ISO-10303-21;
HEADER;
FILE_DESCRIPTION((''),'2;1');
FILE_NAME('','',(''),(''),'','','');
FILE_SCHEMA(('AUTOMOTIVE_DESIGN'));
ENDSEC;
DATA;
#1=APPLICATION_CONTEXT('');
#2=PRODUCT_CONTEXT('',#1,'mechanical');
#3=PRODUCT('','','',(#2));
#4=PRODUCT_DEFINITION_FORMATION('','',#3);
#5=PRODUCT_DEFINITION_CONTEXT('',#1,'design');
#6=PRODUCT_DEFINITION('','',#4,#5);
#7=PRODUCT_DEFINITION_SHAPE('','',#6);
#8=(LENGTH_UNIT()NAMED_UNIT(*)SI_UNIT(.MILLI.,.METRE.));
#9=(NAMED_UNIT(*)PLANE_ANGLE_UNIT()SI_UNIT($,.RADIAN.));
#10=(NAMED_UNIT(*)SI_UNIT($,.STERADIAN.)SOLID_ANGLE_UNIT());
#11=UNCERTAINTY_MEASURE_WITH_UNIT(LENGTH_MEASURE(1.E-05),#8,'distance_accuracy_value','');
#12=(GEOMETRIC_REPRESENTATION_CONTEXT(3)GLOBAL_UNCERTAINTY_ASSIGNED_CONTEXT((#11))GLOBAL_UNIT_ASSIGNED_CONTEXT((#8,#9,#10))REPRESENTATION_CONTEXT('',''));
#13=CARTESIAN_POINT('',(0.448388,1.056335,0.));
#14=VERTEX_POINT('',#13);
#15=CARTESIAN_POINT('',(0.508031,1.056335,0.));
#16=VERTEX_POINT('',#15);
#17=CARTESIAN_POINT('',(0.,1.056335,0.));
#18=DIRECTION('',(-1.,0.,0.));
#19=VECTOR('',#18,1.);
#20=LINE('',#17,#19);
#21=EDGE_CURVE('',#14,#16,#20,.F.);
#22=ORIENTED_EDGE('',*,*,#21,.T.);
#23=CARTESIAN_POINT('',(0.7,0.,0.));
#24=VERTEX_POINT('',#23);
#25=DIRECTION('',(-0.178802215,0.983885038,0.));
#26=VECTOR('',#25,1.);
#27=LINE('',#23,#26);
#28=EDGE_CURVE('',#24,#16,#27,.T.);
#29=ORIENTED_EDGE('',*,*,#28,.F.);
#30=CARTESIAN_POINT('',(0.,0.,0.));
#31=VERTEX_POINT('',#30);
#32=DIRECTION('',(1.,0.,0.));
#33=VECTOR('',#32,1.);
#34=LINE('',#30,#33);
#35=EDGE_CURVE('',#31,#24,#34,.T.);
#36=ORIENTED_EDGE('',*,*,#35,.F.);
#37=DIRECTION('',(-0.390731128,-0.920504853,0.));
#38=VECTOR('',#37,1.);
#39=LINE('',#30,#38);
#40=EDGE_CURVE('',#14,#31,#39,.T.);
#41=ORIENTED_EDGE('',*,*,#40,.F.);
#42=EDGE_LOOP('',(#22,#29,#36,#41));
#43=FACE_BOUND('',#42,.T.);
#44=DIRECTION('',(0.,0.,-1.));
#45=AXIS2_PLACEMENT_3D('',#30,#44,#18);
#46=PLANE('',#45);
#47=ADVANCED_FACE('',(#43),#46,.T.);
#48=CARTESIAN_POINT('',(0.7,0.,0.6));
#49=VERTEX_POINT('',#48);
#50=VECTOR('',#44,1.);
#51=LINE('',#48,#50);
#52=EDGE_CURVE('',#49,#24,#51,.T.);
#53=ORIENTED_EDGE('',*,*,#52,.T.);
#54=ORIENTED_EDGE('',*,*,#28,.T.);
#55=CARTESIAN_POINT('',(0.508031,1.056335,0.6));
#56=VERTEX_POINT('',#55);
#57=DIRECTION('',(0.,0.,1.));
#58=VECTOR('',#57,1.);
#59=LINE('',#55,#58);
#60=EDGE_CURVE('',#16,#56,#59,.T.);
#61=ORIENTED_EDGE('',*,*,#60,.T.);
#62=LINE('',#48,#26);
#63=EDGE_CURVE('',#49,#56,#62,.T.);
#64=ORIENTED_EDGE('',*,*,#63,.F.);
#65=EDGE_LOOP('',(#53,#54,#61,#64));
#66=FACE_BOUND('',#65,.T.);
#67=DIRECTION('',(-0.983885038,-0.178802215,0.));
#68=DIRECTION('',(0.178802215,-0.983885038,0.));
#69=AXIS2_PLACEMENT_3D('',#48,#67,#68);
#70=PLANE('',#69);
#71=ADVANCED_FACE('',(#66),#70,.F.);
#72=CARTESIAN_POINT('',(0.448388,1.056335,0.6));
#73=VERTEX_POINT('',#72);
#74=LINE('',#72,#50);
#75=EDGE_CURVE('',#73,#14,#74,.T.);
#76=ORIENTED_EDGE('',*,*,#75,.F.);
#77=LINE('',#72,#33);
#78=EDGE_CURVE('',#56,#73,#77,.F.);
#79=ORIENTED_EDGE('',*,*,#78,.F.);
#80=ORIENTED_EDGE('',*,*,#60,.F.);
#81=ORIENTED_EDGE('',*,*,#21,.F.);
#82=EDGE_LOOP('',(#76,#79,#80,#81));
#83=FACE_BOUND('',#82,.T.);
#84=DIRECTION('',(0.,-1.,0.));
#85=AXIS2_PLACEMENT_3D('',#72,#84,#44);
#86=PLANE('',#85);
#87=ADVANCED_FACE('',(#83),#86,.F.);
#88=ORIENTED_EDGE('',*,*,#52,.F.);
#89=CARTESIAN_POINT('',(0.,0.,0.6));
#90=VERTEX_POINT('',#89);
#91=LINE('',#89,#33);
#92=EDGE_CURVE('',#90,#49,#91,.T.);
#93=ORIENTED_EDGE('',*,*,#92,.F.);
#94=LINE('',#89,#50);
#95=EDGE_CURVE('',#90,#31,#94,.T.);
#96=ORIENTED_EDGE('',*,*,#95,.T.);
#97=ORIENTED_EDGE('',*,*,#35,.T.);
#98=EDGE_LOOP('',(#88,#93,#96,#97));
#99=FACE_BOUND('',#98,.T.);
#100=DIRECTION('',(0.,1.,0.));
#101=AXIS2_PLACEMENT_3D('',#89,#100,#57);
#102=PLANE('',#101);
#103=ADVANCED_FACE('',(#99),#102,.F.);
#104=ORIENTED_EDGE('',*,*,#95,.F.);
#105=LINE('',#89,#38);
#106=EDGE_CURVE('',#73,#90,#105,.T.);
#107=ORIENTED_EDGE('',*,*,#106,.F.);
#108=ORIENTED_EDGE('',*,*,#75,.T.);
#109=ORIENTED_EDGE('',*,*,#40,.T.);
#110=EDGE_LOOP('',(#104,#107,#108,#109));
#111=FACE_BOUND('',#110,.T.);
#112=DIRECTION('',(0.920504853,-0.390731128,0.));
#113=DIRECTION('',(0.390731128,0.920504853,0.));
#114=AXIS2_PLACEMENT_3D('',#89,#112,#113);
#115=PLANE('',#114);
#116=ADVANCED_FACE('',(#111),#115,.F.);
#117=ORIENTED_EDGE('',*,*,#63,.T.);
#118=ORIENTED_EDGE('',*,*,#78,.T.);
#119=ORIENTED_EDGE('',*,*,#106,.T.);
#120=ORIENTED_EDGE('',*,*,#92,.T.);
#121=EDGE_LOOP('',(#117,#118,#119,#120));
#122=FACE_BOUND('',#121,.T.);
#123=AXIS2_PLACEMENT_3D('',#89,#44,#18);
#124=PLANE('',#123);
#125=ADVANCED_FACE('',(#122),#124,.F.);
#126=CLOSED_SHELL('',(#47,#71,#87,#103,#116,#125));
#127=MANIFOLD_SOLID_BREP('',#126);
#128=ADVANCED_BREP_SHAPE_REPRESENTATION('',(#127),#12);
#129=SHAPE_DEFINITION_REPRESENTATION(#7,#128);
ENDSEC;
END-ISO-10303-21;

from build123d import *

# Parameters (mm, degrees)
BOSS_EXTRUDE1_DEPTH = 0.6
CHAMFER1_SIZE       = 0.1
CHAMFER1_SIZE2      = 0.106885372


with BuildPart() as part:
    # Sketch1 → Boss-Extrude1 (new body)
    with BuildSketch(Plane.XY):
        Polygon((0, 0), (0.7, 0), (0.490151136, 1.154723713), align=None)
    extrude(amount=BOSS_EXTRUDE1_DEPTH)

    # Chamfer1
    chamfer1_edges = [part.edges().sort_by_distance(p)[0] for p in [
        (0.490151136, 1.154723713, 0.3),
    ]]
    chamfer1_side = [part.faces().sort_by_distance(p)[0] for p in [
        (0.595075568, 0.577361856, 0.3),
    ]]
    chamfer(chamfer1_edges, length=CHAMFER1_SIZE, length2=CHAMFER1_SIZE2, reference=chamfer1_side[0])


solid = part.part
